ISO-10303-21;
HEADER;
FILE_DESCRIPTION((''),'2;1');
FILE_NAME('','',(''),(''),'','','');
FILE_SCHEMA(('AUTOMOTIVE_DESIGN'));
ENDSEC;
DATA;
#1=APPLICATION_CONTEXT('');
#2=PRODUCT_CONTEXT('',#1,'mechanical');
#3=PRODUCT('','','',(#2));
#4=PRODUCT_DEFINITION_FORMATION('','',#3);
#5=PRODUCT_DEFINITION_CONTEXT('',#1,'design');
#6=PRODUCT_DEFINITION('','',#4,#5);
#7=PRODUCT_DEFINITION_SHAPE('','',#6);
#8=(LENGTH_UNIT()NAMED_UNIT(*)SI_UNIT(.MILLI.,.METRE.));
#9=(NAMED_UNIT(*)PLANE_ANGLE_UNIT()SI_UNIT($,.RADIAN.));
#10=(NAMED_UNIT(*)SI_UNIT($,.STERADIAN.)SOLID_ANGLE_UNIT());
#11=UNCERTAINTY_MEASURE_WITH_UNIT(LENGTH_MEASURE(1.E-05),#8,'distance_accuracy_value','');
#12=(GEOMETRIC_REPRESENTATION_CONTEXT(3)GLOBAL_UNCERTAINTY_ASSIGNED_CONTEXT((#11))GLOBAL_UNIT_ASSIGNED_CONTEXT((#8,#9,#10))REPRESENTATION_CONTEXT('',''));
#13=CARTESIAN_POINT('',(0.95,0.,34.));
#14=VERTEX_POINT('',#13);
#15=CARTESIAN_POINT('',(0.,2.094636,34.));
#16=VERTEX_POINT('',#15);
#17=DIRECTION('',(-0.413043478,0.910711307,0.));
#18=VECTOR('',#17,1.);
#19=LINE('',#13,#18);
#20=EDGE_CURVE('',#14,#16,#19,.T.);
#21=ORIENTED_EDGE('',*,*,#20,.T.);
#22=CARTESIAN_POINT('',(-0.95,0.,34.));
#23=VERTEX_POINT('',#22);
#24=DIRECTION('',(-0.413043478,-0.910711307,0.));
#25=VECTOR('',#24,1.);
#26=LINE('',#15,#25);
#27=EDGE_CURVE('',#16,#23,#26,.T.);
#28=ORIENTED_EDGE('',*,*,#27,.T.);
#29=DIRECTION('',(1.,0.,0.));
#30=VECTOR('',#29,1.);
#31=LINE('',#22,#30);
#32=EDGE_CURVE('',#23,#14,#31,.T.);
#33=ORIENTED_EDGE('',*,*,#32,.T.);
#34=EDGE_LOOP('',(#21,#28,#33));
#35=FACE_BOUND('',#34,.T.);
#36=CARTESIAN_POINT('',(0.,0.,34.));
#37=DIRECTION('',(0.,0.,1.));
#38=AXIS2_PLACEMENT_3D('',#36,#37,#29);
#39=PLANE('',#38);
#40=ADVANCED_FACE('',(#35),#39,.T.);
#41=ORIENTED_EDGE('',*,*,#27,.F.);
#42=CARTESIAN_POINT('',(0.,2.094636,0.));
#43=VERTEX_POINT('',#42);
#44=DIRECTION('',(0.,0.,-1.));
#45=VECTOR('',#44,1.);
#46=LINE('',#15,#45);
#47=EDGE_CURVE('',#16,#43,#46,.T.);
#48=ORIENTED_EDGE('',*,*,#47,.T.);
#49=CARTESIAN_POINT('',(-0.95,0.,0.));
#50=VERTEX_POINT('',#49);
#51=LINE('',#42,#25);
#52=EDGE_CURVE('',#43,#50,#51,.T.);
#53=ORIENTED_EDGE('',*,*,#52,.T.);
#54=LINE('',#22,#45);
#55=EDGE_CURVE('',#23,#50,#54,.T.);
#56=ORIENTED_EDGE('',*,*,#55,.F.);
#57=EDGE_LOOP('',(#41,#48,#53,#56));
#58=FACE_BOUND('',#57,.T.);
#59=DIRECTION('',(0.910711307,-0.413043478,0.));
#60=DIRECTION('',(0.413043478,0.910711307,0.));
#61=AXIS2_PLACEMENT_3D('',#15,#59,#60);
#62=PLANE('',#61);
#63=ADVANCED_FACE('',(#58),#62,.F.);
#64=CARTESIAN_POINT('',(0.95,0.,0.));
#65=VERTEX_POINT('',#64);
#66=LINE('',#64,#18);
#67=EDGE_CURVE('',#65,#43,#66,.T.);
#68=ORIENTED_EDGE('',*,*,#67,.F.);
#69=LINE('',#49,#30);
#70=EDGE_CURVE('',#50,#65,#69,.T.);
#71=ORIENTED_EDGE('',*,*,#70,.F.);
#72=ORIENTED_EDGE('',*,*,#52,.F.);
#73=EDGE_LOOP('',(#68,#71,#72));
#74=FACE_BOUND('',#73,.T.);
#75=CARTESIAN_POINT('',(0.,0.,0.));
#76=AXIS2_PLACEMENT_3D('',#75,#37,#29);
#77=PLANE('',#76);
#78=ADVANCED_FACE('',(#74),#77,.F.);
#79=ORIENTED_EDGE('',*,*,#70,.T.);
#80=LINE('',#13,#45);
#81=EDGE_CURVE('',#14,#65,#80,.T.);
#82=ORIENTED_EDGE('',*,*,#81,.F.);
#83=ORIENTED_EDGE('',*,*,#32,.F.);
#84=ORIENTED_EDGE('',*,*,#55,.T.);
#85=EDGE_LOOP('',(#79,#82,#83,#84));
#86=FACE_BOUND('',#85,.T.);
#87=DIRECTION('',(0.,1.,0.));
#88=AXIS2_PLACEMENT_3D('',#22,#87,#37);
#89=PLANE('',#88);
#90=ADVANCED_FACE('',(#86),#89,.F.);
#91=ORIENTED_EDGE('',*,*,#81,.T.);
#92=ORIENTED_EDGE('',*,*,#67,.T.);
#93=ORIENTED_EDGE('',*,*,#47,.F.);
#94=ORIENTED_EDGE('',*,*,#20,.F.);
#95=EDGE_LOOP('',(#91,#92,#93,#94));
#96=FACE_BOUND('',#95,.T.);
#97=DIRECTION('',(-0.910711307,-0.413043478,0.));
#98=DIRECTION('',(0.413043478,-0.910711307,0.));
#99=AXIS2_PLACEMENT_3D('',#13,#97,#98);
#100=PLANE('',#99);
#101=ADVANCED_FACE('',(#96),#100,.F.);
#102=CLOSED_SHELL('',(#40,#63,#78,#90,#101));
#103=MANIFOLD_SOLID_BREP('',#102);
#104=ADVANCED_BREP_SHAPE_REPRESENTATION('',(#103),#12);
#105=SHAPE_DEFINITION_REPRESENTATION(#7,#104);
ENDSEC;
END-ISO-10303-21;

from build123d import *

# Parameters (mm, degrees)
EXTRUDE_1_DEPTH = 34


with BuildPart() as part:
    # Эскиз1 → Бобышка-Вытянуть1 (new body)
    with BuildSketch(Plane.XY):
        Polygon((-0.95, 0), (0.95, 0), (0, 2.094636007), align=None)
    extrude(amount=EXTRUDE_1_DEPTH)


solid = part.part
